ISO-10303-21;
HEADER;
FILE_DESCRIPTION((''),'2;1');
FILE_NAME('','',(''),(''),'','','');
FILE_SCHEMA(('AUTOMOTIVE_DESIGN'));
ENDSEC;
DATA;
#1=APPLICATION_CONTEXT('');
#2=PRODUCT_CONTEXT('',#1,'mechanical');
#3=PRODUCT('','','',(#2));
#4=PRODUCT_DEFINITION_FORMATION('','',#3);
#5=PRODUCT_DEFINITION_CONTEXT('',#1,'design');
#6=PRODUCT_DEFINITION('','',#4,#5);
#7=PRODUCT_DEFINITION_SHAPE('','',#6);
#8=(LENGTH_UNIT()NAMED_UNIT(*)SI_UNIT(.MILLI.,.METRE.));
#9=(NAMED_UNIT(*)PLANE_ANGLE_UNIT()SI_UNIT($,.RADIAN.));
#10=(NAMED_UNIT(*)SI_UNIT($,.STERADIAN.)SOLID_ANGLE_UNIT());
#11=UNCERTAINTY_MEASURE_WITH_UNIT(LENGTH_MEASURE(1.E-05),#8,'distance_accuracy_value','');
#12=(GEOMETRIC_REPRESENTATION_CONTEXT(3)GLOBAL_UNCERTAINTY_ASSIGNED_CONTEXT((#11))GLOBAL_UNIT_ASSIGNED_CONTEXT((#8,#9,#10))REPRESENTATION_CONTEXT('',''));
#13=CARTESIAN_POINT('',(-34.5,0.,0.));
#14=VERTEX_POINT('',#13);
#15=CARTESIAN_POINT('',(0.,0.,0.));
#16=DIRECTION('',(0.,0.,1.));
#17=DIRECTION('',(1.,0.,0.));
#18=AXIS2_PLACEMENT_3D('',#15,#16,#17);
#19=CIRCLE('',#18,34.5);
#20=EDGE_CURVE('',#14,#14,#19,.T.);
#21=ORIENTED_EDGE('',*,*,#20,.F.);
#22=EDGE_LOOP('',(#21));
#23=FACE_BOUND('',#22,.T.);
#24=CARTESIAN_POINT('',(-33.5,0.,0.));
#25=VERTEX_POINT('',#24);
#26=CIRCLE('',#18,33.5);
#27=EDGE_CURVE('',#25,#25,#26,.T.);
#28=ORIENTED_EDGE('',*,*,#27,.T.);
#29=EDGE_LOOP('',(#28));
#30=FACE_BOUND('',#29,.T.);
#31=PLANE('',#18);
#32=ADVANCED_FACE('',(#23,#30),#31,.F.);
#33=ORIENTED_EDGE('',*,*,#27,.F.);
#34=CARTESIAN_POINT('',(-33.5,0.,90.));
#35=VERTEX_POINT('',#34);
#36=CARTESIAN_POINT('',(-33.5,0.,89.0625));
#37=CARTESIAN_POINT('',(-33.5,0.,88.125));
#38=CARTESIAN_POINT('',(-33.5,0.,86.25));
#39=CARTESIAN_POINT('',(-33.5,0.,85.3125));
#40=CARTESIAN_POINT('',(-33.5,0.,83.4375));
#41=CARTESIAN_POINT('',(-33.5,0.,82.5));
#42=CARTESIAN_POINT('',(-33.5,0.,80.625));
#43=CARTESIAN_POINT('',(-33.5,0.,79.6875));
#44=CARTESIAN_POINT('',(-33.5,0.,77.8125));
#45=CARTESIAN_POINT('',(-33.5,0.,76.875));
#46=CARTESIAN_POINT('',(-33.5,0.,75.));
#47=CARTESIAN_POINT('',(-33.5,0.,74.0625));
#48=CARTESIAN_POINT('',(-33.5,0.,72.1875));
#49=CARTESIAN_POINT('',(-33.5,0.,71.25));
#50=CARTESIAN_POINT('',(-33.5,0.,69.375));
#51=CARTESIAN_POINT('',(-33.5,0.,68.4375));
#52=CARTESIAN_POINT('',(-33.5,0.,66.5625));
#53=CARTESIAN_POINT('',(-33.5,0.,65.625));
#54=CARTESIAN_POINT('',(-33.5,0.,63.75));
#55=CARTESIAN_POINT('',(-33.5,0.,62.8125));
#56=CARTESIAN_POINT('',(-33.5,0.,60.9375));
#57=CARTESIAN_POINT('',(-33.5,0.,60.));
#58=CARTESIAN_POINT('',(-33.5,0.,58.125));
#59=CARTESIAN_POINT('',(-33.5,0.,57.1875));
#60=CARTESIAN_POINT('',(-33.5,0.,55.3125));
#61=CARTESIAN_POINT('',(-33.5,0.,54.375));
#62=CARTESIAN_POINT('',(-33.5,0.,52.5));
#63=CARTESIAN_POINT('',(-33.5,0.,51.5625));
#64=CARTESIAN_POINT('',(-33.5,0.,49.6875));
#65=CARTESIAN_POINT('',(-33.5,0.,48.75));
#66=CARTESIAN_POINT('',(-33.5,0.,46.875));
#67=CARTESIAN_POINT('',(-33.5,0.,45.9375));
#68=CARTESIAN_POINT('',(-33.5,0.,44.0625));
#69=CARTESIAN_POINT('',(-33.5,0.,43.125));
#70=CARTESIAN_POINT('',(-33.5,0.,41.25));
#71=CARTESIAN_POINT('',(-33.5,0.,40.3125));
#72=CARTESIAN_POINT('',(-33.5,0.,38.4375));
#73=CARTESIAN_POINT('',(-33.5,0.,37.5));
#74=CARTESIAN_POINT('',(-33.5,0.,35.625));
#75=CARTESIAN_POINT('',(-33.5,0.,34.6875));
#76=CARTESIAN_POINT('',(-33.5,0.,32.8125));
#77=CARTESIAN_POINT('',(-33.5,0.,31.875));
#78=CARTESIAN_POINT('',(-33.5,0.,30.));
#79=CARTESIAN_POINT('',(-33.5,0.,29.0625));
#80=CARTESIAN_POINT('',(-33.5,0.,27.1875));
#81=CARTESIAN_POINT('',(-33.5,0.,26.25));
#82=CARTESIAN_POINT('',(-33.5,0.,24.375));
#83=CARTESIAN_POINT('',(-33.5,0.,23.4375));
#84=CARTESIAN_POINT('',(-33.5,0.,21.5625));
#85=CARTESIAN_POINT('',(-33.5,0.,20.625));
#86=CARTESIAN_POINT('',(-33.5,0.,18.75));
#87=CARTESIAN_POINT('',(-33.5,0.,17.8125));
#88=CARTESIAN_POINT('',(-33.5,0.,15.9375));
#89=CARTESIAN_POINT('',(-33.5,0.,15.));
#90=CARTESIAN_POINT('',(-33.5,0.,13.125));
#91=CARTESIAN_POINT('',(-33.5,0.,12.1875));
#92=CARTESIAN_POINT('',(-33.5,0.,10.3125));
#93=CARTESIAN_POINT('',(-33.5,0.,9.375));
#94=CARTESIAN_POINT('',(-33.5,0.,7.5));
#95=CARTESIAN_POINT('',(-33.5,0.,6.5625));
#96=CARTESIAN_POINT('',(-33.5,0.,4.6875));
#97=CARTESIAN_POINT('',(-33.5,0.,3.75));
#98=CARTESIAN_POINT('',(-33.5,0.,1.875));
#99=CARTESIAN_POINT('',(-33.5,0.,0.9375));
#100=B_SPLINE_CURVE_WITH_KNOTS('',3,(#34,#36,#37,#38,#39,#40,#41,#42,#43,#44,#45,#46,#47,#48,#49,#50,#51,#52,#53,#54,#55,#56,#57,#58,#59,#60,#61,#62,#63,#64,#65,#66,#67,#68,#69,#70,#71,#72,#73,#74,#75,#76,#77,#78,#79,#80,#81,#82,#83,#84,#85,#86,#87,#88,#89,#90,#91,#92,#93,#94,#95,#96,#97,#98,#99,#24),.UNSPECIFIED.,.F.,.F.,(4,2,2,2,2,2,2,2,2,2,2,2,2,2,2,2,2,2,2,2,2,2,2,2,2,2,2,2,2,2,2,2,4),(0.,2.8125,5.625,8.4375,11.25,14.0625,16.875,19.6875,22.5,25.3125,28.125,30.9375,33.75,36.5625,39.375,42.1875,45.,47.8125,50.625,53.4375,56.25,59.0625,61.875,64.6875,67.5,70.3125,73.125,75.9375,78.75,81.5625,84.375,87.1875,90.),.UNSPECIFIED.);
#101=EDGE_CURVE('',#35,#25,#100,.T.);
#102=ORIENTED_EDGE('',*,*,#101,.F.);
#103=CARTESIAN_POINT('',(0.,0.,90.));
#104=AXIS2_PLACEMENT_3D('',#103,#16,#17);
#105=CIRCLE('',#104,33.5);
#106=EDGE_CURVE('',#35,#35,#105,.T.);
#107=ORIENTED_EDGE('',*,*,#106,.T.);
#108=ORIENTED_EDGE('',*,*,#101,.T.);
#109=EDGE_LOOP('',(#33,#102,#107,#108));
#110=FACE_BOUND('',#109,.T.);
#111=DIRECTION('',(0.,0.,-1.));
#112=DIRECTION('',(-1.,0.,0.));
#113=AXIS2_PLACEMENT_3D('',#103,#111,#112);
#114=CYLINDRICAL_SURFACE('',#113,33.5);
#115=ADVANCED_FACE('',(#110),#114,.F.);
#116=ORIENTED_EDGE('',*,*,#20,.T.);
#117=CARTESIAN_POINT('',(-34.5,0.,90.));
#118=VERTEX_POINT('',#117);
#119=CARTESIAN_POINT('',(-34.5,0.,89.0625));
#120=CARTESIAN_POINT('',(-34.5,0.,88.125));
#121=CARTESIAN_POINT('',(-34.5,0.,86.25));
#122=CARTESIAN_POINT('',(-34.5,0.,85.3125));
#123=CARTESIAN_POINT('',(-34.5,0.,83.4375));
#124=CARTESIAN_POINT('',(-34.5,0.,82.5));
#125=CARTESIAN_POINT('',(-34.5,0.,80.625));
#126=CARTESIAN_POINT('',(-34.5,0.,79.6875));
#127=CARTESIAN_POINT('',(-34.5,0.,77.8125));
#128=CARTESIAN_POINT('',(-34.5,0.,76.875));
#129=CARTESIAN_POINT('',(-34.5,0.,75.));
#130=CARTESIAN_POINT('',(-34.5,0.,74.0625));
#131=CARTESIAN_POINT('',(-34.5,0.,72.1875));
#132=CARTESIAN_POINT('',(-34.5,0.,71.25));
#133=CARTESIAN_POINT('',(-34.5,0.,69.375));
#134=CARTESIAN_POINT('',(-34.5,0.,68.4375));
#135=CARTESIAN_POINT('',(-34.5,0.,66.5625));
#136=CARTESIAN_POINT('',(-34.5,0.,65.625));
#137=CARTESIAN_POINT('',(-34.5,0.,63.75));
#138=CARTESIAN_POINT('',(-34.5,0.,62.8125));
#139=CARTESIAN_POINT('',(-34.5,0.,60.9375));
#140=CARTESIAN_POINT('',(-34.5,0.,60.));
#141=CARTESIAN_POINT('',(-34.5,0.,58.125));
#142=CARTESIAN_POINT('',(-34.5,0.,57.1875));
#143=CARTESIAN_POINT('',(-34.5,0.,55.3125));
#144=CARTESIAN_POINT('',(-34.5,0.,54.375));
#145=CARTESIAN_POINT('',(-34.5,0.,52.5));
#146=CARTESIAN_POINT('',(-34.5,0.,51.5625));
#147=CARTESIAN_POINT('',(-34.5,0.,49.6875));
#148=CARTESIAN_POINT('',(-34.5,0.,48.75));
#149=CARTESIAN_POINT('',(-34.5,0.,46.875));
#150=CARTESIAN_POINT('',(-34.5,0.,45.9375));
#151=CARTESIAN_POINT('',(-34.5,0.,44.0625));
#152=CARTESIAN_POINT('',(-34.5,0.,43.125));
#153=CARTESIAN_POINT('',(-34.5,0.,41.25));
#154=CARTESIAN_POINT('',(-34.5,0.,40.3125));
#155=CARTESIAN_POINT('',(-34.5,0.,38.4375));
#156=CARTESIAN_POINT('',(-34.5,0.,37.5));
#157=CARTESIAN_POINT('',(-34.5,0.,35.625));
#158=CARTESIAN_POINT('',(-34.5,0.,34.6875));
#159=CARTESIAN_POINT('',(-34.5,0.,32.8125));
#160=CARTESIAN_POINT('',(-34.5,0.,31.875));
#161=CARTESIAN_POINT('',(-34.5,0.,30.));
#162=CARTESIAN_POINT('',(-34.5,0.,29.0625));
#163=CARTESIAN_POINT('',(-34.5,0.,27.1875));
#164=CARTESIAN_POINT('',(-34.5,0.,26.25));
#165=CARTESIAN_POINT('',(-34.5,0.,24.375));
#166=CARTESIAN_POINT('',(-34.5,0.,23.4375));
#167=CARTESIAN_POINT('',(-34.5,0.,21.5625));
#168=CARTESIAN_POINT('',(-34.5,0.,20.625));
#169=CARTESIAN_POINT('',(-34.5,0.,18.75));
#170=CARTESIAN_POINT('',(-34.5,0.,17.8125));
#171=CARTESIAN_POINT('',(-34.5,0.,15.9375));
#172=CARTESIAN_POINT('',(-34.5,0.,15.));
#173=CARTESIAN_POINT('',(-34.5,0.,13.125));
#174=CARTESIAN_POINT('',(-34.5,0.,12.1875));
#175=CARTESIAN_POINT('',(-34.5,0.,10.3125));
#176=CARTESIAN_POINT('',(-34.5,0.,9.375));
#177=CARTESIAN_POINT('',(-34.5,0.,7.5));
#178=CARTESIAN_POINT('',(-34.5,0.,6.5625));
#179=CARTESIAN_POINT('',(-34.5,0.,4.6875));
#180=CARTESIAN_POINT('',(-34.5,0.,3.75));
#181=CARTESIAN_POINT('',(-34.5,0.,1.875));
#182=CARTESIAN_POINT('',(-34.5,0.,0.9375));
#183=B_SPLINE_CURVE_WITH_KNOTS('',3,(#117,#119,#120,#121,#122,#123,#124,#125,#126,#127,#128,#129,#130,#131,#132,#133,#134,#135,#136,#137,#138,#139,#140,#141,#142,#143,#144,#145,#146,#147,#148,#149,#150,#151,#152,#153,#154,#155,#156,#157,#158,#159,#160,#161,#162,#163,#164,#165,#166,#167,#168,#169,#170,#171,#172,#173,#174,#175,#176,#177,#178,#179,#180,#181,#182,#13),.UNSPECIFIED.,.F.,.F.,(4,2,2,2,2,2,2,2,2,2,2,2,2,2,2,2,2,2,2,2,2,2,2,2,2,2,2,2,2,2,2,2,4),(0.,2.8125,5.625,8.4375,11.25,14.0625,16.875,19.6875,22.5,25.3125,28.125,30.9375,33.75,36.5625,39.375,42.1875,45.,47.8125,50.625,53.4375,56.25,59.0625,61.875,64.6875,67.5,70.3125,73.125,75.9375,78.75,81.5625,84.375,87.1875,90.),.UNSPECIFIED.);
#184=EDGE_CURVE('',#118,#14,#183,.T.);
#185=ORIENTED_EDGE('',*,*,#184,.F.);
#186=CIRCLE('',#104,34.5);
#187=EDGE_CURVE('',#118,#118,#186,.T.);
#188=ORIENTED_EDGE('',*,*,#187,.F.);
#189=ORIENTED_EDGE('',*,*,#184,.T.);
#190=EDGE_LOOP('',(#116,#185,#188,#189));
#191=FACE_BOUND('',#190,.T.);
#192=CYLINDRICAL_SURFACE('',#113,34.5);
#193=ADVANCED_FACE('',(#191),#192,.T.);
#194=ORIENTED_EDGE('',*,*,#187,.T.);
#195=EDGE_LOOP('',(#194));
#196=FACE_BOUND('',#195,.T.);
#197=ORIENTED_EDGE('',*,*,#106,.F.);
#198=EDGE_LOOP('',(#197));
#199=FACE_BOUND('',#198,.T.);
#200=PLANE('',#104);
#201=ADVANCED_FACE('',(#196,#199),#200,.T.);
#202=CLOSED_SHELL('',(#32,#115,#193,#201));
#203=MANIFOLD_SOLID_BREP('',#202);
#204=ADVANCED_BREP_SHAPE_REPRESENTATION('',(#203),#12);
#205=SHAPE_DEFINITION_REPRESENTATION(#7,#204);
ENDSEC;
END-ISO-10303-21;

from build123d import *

# Parameters (mm, degrees)
IZIM1_R                     = 34.5
IZIM1_R_2                   = 33.5
Y_KSEKLIK_EKSTR_ZYON2_DEPTH = 90


with BuildPart() as part:
    # Çizim1 → Yükseklik-Ekstrüzyon2 (new body)
    with BuildSketch(Plane.XY):
        with Locations(Location((0, 0, 0), (0, 0, 180))):
            Circle(IZIM1_R)
        with Locations(Location((0, 0, 0), (0, 0, 180))):
            Circle(IZIM1_R_2, mode=Mode.SUBTRACT)
    extrude(amount=Y_KSEKLIK_EKSTR_ZYON2_DEPTH)


solid = part.part
